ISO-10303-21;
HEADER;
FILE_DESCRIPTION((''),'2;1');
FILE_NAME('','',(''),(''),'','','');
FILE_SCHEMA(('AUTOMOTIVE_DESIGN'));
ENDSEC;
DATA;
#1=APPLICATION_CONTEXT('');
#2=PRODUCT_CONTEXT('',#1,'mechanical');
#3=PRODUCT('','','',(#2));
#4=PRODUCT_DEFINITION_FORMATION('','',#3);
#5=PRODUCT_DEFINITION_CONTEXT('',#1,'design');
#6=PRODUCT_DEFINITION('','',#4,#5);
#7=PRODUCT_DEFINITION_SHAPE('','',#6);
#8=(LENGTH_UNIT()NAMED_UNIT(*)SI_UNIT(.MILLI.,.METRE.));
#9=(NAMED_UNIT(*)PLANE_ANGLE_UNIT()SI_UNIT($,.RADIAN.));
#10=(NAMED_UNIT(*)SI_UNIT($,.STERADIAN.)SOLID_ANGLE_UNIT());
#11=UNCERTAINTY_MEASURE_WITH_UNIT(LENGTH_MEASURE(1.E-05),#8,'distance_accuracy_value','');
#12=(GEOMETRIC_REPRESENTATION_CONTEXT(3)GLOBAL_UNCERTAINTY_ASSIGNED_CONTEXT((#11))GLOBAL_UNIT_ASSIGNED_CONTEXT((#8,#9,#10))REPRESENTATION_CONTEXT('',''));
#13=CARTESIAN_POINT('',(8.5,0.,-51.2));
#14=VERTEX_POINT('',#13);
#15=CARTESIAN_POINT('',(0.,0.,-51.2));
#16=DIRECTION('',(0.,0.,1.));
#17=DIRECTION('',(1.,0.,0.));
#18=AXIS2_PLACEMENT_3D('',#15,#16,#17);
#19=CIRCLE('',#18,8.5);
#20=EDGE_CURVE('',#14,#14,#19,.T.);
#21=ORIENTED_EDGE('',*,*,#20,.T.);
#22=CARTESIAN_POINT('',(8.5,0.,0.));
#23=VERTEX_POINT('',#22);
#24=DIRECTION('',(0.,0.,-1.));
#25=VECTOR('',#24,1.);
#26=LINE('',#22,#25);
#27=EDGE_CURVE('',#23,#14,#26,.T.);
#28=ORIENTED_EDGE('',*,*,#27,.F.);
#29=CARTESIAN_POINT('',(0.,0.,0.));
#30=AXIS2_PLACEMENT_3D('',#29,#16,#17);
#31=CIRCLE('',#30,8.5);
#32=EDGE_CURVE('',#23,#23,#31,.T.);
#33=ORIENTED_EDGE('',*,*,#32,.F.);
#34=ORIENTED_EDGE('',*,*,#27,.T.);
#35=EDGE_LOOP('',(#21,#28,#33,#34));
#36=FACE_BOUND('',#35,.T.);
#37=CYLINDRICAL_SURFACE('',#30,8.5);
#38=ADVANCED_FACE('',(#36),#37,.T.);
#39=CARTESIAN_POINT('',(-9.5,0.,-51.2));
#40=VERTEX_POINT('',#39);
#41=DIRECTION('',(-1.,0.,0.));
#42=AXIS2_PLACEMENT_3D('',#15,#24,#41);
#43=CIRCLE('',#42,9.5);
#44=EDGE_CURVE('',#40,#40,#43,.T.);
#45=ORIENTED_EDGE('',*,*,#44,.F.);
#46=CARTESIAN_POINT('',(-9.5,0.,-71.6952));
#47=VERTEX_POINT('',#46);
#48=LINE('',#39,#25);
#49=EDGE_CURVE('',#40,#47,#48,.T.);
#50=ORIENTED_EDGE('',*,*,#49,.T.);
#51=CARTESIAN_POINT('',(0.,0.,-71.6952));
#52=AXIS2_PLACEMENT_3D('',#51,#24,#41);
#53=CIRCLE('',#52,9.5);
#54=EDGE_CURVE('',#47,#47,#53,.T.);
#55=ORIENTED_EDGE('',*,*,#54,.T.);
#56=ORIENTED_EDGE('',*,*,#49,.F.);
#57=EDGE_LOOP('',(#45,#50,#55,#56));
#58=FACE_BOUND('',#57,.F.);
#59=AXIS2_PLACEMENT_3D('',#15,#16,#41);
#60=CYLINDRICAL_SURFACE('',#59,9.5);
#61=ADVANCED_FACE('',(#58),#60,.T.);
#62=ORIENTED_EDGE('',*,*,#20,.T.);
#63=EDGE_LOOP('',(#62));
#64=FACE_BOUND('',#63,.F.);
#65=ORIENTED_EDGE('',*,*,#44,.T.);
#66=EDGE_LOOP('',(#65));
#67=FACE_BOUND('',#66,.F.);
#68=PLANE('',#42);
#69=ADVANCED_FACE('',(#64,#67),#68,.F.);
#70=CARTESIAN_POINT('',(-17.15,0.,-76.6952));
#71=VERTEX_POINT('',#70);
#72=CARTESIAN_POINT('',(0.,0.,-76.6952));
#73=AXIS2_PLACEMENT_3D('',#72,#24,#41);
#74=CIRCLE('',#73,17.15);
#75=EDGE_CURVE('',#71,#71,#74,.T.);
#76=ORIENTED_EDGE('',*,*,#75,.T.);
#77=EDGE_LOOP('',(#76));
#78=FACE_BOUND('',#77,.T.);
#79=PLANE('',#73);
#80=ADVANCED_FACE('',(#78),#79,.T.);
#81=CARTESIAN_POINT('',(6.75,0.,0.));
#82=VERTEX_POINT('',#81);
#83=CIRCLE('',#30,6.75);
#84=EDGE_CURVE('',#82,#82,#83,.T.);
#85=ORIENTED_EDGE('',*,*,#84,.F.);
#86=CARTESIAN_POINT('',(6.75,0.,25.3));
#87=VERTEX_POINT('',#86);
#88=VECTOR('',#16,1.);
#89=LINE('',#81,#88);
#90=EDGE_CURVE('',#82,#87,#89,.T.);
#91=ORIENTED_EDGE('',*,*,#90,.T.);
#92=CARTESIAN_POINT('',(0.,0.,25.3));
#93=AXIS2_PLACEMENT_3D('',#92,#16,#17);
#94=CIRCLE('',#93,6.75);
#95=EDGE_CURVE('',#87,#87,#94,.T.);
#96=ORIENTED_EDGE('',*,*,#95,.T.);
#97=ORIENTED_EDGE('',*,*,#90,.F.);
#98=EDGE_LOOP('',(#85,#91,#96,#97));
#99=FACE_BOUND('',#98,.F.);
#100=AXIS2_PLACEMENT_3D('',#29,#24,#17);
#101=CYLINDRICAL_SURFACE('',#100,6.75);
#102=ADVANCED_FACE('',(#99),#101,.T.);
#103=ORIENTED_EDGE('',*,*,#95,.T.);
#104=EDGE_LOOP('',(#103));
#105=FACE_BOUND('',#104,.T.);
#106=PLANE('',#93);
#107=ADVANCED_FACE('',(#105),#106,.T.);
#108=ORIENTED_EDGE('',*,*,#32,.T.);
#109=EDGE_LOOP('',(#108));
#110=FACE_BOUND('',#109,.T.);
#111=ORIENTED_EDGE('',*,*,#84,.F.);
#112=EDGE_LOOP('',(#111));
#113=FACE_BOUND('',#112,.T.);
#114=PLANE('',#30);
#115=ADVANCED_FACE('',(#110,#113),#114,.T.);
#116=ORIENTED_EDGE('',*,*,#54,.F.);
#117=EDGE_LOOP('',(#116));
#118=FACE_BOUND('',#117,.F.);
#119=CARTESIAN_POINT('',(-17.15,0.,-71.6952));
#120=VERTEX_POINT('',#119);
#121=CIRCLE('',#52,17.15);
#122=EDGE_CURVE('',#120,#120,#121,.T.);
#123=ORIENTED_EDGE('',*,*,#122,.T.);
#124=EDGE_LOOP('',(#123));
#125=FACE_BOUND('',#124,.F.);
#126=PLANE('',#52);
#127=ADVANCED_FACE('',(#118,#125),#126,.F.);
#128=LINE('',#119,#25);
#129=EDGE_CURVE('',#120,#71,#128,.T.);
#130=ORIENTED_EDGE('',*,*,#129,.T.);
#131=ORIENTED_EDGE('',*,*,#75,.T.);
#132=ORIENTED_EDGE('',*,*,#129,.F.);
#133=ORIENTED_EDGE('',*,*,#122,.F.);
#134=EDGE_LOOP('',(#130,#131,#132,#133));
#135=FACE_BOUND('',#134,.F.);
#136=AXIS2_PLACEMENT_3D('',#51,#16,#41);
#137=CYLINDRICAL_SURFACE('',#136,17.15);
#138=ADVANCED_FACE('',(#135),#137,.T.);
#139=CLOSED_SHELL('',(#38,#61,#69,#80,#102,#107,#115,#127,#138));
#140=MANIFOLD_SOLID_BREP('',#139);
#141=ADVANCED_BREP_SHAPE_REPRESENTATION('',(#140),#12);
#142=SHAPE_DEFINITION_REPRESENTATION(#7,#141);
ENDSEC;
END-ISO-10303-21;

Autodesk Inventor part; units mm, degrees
ref_plane "YZ Plane" through (0, 0, 0) normal (1, 0, 0) x (0, 1, 0)
ref_plane "XZ Plane" through (0, 0, 0) normal (0, 1, 0) x (-1, 0, 0)
ref_plane "XY Plane" through (0, 0, 0) normal (0, 0, 1) x (1, 0, 0)
sketch "Sketch1" plane through (0, 0, 0) normal (0, 0, 1) x (1, 0, 0)
  circle A0 centre (0, 0) radius 8.5
  dimension "d0" = 17
extrude "Extrusion1" add sketch "Sketch1" against normal blind 51.2
sketch "Sketch2" plane through (0, 0, 0) normal (0, 0, 1) x (1, 0, 0)
  circle A0 centre (0, 0) radius 6.75
  dimension "d3" = 13.5
extrude "Extrusion2" add sketch "Sketch2" along normal blind 25.3
sketch "Sketch3" plane through (0, 0, -51.2) normal (0, 0, -1) x (-1, 0, 0)
  circle A0 centre (0, 0) radius 9.5
  dimension "d6" = 19
extrude "Extrusion3" add sketch "Sketch3" along normal blind 20.4952
sketch "Sketch4" plane through (0, 0, -71.6952) normal (0, 0, -1) x (-1, 0, 0)
  circle A0 centre (0, 0) radius 17.15
  dimension "d9" = 34.3
extrude "Extrusion4" add sketch "Sketch4" along normal blind 5
properties part number "spindle"
